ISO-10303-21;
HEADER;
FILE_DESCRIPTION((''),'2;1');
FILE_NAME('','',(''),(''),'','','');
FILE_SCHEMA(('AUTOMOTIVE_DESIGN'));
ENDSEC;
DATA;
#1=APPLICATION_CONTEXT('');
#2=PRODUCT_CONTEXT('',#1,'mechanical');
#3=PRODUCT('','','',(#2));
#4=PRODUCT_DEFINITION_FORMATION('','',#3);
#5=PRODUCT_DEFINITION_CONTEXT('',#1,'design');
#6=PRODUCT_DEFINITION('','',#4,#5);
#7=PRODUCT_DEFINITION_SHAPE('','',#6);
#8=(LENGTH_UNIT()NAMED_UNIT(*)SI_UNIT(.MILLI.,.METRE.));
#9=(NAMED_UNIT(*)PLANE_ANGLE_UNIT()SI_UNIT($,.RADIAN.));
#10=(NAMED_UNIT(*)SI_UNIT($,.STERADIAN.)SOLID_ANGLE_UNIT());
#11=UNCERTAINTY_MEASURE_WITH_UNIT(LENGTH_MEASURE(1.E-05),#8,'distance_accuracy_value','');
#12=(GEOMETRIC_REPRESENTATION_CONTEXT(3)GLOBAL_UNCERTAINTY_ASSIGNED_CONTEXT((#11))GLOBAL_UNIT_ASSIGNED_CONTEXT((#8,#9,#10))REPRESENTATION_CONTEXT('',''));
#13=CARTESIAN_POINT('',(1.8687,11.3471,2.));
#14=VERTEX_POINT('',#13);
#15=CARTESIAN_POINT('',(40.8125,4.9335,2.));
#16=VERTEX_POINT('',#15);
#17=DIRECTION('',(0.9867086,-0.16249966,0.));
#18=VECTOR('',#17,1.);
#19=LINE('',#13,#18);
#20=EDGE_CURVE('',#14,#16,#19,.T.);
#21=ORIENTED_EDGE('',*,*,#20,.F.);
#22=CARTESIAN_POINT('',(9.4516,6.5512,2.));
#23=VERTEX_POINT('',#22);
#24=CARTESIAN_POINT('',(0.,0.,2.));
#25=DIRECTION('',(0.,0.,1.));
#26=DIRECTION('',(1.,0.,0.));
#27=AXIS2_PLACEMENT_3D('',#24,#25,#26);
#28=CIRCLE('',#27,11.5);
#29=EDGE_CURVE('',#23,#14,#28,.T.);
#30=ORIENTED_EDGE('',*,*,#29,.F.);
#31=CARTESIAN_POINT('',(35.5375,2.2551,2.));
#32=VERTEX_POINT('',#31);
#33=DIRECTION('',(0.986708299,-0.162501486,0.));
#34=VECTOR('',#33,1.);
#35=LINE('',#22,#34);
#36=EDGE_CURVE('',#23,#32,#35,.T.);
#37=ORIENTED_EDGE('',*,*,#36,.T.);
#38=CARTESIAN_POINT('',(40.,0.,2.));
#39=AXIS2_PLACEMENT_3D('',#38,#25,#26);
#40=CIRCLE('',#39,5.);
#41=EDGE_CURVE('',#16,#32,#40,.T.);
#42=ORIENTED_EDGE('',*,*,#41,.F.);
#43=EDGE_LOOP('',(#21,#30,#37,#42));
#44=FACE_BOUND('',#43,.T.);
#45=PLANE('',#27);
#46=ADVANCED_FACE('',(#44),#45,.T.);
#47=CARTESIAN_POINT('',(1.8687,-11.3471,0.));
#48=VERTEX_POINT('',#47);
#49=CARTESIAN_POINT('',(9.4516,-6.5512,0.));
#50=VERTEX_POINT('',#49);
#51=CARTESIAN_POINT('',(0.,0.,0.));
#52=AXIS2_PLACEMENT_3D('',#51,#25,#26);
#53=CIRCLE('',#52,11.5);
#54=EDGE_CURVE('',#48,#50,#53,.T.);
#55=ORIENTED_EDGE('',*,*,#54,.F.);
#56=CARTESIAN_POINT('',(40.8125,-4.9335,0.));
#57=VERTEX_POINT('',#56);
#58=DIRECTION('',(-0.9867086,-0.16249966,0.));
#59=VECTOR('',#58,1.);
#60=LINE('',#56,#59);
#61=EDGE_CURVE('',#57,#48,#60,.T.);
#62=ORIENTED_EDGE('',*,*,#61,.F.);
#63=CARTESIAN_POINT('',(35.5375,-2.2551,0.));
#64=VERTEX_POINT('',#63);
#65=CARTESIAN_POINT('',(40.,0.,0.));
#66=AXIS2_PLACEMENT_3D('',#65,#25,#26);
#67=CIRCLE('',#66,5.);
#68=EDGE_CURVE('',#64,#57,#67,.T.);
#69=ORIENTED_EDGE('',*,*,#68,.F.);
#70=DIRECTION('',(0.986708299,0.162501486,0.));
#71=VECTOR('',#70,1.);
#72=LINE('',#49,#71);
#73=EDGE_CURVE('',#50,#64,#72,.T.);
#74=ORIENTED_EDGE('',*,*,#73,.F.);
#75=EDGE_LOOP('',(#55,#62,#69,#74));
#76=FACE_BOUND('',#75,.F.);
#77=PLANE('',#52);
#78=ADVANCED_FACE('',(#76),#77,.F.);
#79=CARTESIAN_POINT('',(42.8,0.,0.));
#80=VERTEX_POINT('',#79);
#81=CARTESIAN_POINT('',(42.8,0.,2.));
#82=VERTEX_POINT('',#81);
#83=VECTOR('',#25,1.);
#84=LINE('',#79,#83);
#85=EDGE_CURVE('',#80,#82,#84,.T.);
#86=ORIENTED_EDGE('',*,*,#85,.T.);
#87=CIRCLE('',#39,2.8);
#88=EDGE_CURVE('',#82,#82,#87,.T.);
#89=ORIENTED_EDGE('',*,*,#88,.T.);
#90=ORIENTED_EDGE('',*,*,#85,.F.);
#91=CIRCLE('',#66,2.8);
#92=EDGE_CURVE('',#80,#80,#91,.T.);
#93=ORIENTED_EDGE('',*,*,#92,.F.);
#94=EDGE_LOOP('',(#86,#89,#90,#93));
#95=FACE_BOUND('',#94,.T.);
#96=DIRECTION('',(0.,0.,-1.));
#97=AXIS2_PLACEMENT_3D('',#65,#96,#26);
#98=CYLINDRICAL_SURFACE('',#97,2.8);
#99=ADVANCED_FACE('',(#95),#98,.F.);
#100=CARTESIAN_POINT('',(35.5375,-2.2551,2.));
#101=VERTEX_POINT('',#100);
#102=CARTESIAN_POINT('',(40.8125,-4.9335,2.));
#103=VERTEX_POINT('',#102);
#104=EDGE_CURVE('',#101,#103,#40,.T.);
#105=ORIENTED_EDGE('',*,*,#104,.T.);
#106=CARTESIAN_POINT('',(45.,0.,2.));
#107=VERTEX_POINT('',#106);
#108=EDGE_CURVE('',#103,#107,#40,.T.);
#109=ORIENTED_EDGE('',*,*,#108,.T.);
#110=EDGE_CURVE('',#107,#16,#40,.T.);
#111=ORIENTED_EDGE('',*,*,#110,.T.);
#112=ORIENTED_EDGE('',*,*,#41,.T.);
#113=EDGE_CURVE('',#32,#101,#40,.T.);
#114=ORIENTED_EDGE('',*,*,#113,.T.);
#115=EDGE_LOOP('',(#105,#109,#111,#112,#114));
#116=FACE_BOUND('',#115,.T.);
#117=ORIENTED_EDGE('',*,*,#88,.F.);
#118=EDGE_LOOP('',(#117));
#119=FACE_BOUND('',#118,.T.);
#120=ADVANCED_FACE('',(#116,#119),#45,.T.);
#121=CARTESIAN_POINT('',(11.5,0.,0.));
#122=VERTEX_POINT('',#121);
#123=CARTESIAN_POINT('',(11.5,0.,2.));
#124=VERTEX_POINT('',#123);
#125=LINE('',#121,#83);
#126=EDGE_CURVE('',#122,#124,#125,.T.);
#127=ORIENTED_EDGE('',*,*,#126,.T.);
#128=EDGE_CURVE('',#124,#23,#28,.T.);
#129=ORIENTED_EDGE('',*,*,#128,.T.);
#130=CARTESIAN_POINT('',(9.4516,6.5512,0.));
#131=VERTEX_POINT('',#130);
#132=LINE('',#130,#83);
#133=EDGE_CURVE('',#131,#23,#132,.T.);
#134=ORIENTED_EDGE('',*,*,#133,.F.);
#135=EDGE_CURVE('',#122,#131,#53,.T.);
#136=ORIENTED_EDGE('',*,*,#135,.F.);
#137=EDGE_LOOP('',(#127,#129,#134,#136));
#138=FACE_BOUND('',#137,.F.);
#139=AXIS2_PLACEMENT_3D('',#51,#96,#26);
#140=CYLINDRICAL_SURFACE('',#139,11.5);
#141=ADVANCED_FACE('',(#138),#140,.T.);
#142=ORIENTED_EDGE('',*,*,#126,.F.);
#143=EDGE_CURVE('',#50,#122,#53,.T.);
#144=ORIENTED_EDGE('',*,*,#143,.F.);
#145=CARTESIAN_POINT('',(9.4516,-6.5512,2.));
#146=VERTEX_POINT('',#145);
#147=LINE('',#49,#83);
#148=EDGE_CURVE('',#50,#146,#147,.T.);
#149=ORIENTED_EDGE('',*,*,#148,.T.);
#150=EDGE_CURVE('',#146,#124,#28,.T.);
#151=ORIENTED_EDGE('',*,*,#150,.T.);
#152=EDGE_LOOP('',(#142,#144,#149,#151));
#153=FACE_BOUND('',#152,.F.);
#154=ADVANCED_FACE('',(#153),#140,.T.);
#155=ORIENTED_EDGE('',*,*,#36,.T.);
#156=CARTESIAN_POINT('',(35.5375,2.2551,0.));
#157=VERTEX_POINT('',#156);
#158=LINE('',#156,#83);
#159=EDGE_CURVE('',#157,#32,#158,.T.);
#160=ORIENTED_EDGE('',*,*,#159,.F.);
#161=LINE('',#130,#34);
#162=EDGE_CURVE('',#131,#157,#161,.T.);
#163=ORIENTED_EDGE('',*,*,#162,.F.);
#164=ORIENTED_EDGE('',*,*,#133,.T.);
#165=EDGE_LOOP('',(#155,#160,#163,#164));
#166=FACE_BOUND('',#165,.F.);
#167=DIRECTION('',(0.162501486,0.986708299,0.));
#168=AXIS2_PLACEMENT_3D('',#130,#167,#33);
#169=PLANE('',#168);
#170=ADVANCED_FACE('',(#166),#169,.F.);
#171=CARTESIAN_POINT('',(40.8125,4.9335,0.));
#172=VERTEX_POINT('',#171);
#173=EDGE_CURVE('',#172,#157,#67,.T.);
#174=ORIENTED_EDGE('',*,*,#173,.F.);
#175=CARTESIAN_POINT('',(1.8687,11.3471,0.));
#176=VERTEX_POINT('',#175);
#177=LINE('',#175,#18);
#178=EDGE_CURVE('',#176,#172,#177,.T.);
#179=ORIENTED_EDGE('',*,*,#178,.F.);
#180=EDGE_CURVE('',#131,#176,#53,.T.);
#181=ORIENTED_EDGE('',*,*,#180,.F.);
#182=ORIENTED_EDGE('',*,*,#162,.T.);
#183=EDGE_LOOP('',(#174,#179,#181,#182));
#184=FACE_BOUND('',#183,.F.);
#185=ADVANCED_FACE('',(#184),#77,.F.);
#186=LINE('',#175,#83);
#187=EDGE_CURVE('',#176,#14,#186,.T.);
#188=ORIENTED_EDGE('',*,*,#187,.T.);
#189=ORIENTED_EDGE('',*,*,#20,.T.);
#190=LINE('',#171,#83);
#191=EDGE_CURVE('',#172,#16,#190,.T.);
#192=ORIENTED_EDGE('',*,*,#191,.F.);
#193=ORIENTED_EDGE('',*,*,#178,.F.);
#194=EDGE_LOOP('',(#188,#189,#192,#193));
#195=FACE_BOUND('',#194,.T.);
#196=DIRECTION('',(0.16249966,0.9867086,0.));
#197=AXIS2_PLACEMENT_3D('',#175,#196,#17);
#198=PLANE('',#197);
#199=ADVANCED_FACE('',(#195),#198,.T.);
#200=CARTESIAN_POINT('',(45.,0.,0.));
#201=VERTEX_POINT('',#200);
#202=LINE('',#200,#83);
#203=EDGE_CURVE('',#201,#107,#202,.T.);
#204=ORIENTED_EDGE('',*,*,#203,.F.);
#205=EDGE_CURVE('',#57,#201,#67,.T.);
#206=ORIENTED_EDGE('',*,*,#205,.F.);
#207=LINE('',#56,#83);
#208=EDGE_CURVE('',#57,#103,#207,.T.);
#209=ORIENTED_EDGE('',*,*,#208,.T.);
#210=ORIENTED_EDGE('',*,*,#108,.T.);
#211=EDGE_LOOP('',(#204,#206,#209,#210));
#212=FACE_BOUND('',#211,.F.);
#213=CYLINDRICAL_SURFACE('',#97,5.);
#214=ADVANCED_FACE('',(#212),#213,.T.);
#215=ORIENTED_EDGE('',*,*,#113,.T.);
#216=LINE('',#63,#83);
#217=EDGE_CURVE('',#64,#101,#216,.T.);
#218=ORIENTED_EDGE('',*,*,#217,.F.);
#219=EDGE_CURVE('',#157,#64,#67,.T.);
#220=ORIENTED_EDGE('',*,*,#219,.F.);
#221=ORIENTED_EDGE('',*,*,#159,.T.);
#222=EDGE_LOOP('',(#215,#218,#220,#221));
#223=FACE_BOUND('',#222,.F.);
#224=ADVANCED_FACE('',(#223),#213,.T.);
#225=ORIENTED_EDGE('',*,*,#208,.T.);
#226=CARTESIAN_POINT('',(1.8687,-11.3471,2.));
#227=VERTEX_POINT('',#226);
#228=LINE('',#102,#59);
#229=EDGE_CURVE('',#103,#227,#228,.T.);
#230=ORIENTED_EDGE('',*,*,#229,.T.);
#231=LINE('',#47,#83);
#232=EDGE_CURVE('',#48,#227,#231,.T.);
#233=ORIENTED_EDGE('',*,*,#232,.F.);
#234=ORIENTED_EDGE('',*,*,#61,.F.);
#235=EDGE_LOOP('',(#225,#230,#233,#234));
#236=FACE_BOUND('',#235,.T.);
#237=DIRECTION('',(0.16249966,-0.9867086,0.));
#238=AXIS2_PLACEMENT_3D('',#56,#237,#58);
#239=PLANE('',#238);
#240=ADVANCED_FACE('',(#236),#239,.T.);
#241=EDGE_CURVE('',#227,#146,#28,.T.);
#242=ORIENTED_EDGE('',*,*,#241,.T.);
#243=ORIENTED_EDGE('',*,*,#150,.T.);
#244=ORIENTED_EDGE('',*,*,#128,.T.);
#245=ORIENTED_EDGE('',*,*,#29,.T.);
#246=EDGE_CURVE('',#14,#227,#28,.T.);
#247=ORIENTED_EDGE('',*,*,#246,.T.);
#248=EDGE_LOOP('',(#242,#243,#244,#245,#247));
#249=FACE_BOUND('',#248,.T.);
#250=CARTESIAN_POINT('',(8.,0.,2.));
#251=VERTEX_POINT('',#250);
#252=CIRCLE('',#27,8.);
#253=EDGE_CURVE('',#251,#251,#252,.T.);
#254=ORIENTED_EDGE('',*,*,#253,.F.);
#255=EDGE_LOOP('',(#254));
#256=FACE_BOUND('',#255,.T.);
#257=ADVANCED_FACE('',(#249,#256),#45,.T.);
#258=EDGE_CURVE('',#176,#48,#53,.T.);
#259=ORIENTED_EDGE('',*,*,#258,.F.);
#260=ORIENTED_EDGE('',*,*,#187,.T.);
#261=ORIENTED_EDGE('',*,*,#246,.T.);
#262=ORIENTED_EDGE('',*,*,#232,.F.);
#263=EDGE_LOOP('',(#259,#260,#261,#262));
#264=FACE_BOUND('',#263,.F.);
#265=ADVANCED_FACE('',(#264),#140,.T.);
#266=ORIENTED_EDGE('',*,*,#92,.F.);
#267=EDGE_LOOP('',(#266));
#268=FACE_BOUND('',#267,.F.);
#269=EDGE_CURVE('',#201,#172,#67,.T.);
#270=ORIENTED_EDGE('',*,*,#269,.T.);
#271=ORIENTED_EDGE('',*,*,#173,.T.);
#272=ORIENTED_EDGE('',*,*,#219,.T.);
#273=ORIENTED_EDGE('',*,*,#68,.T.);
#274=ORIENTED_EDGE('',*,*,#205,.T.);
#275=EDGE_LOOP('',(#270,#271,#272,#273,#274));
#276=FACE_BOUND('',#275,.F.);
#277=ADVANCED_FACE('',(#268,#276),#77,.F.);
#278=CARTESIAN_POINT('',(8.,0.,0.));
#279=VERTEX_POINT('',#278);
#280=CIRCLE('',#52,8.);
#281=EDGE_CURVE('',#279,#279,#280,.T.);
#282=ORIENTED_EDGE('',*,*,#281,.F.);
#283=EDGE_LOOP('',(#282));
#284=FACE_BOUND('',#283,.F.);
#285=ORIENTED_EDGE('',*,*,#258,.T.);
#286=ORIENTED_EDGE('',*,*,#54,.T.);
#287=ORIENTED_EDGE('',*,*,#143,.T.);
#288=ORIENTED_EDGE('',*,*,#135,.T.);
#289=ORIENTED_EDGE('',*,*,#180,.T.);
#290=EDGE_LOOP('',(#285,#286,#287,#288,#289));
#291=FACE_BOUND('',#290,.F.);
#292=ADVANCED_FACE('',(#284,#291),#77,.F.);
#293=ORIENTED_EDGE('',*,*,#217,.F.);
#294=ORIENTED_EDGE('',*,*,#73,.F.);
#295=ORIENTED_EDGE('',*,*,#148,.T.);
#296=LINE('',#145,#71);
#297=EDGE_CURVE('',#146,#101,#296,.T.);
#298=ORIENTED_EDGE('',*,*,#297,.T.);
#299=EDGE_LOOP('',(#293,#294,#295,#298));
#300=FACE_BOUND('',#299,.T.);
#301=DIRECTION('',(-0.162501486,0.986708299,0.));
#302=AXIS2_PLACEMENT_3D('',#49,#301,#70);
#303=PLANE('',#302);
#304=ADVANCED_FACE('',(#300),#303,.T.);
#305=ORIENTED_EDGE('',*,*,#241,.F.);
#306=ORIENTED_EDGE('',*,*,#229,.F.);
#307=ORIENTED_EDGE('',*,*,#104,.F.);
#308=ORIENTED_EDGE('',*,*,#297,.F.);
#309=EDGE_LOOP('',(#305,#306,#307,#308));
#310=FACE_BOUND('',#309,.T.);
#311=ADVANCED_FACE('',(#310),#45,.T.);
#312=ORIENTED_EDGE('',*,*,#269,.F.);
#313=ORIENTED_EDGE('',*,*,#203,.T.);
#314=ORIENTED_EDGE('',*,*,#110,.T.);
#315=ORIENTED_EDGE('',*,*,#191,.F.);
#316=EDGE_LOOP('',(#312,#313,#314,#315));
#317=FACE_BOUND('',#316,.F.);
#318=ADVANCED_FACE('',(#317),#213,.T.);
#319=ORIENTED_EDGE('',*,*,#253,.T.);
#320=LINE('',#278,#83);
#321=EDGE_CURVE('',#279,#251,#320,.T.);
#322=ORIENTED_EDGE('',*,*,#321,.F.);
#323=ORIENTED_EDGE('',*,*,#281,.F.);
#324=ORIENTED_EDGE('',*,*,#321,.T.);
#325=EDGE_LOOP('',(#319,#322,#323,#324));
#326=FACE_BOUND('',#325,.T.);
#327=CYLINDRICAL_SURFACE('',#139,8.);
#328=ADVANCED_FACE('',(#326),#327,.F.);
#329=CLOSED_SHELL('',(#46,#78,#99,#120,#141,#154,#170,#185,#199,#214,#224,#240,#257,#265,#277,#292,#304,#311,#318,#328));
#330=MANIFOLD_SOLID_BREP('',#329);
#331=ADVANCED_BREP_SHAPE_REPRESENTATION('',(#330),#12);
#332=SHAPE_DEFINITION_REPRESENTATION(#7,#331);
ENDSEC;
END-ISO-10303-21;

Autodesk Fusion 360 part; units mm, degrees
sketch "Skizze1" plane through (0, 0, 0) normal (0, 0, 1) x (1, 0, 0)
  circle A0 centre (0, 0) radius 11.5
  circle A1 centre (40, 0) radius 5
  line L0 (1.8687, 11.3471) -> (40.8125, 4.9335)
  line L1 (40.8125, -4.9335) -> (1.8687, -11.3471)
  circle A2 centre (40, 0) radius 2.8
  circle A3 centre (0, 0) radius 8
  line L2 (9.4516, 6.5512) -> (35.5375, 2.2551)
  line L3 (9.4516, -6.5512) -> (35.5375, -2.2551)
  dimension "d1" = 23
  dimension "d2" = 10
  dimension "d3" = 40
  dimension "d6" = 2.2
  dimension "d7" = 3.5
extrude "Extrusion1" add sketch "Skizze1" along normal blind 2 contours A0 | A0 A1 L0 L2 | A0 A1 L1 L3 | A1
